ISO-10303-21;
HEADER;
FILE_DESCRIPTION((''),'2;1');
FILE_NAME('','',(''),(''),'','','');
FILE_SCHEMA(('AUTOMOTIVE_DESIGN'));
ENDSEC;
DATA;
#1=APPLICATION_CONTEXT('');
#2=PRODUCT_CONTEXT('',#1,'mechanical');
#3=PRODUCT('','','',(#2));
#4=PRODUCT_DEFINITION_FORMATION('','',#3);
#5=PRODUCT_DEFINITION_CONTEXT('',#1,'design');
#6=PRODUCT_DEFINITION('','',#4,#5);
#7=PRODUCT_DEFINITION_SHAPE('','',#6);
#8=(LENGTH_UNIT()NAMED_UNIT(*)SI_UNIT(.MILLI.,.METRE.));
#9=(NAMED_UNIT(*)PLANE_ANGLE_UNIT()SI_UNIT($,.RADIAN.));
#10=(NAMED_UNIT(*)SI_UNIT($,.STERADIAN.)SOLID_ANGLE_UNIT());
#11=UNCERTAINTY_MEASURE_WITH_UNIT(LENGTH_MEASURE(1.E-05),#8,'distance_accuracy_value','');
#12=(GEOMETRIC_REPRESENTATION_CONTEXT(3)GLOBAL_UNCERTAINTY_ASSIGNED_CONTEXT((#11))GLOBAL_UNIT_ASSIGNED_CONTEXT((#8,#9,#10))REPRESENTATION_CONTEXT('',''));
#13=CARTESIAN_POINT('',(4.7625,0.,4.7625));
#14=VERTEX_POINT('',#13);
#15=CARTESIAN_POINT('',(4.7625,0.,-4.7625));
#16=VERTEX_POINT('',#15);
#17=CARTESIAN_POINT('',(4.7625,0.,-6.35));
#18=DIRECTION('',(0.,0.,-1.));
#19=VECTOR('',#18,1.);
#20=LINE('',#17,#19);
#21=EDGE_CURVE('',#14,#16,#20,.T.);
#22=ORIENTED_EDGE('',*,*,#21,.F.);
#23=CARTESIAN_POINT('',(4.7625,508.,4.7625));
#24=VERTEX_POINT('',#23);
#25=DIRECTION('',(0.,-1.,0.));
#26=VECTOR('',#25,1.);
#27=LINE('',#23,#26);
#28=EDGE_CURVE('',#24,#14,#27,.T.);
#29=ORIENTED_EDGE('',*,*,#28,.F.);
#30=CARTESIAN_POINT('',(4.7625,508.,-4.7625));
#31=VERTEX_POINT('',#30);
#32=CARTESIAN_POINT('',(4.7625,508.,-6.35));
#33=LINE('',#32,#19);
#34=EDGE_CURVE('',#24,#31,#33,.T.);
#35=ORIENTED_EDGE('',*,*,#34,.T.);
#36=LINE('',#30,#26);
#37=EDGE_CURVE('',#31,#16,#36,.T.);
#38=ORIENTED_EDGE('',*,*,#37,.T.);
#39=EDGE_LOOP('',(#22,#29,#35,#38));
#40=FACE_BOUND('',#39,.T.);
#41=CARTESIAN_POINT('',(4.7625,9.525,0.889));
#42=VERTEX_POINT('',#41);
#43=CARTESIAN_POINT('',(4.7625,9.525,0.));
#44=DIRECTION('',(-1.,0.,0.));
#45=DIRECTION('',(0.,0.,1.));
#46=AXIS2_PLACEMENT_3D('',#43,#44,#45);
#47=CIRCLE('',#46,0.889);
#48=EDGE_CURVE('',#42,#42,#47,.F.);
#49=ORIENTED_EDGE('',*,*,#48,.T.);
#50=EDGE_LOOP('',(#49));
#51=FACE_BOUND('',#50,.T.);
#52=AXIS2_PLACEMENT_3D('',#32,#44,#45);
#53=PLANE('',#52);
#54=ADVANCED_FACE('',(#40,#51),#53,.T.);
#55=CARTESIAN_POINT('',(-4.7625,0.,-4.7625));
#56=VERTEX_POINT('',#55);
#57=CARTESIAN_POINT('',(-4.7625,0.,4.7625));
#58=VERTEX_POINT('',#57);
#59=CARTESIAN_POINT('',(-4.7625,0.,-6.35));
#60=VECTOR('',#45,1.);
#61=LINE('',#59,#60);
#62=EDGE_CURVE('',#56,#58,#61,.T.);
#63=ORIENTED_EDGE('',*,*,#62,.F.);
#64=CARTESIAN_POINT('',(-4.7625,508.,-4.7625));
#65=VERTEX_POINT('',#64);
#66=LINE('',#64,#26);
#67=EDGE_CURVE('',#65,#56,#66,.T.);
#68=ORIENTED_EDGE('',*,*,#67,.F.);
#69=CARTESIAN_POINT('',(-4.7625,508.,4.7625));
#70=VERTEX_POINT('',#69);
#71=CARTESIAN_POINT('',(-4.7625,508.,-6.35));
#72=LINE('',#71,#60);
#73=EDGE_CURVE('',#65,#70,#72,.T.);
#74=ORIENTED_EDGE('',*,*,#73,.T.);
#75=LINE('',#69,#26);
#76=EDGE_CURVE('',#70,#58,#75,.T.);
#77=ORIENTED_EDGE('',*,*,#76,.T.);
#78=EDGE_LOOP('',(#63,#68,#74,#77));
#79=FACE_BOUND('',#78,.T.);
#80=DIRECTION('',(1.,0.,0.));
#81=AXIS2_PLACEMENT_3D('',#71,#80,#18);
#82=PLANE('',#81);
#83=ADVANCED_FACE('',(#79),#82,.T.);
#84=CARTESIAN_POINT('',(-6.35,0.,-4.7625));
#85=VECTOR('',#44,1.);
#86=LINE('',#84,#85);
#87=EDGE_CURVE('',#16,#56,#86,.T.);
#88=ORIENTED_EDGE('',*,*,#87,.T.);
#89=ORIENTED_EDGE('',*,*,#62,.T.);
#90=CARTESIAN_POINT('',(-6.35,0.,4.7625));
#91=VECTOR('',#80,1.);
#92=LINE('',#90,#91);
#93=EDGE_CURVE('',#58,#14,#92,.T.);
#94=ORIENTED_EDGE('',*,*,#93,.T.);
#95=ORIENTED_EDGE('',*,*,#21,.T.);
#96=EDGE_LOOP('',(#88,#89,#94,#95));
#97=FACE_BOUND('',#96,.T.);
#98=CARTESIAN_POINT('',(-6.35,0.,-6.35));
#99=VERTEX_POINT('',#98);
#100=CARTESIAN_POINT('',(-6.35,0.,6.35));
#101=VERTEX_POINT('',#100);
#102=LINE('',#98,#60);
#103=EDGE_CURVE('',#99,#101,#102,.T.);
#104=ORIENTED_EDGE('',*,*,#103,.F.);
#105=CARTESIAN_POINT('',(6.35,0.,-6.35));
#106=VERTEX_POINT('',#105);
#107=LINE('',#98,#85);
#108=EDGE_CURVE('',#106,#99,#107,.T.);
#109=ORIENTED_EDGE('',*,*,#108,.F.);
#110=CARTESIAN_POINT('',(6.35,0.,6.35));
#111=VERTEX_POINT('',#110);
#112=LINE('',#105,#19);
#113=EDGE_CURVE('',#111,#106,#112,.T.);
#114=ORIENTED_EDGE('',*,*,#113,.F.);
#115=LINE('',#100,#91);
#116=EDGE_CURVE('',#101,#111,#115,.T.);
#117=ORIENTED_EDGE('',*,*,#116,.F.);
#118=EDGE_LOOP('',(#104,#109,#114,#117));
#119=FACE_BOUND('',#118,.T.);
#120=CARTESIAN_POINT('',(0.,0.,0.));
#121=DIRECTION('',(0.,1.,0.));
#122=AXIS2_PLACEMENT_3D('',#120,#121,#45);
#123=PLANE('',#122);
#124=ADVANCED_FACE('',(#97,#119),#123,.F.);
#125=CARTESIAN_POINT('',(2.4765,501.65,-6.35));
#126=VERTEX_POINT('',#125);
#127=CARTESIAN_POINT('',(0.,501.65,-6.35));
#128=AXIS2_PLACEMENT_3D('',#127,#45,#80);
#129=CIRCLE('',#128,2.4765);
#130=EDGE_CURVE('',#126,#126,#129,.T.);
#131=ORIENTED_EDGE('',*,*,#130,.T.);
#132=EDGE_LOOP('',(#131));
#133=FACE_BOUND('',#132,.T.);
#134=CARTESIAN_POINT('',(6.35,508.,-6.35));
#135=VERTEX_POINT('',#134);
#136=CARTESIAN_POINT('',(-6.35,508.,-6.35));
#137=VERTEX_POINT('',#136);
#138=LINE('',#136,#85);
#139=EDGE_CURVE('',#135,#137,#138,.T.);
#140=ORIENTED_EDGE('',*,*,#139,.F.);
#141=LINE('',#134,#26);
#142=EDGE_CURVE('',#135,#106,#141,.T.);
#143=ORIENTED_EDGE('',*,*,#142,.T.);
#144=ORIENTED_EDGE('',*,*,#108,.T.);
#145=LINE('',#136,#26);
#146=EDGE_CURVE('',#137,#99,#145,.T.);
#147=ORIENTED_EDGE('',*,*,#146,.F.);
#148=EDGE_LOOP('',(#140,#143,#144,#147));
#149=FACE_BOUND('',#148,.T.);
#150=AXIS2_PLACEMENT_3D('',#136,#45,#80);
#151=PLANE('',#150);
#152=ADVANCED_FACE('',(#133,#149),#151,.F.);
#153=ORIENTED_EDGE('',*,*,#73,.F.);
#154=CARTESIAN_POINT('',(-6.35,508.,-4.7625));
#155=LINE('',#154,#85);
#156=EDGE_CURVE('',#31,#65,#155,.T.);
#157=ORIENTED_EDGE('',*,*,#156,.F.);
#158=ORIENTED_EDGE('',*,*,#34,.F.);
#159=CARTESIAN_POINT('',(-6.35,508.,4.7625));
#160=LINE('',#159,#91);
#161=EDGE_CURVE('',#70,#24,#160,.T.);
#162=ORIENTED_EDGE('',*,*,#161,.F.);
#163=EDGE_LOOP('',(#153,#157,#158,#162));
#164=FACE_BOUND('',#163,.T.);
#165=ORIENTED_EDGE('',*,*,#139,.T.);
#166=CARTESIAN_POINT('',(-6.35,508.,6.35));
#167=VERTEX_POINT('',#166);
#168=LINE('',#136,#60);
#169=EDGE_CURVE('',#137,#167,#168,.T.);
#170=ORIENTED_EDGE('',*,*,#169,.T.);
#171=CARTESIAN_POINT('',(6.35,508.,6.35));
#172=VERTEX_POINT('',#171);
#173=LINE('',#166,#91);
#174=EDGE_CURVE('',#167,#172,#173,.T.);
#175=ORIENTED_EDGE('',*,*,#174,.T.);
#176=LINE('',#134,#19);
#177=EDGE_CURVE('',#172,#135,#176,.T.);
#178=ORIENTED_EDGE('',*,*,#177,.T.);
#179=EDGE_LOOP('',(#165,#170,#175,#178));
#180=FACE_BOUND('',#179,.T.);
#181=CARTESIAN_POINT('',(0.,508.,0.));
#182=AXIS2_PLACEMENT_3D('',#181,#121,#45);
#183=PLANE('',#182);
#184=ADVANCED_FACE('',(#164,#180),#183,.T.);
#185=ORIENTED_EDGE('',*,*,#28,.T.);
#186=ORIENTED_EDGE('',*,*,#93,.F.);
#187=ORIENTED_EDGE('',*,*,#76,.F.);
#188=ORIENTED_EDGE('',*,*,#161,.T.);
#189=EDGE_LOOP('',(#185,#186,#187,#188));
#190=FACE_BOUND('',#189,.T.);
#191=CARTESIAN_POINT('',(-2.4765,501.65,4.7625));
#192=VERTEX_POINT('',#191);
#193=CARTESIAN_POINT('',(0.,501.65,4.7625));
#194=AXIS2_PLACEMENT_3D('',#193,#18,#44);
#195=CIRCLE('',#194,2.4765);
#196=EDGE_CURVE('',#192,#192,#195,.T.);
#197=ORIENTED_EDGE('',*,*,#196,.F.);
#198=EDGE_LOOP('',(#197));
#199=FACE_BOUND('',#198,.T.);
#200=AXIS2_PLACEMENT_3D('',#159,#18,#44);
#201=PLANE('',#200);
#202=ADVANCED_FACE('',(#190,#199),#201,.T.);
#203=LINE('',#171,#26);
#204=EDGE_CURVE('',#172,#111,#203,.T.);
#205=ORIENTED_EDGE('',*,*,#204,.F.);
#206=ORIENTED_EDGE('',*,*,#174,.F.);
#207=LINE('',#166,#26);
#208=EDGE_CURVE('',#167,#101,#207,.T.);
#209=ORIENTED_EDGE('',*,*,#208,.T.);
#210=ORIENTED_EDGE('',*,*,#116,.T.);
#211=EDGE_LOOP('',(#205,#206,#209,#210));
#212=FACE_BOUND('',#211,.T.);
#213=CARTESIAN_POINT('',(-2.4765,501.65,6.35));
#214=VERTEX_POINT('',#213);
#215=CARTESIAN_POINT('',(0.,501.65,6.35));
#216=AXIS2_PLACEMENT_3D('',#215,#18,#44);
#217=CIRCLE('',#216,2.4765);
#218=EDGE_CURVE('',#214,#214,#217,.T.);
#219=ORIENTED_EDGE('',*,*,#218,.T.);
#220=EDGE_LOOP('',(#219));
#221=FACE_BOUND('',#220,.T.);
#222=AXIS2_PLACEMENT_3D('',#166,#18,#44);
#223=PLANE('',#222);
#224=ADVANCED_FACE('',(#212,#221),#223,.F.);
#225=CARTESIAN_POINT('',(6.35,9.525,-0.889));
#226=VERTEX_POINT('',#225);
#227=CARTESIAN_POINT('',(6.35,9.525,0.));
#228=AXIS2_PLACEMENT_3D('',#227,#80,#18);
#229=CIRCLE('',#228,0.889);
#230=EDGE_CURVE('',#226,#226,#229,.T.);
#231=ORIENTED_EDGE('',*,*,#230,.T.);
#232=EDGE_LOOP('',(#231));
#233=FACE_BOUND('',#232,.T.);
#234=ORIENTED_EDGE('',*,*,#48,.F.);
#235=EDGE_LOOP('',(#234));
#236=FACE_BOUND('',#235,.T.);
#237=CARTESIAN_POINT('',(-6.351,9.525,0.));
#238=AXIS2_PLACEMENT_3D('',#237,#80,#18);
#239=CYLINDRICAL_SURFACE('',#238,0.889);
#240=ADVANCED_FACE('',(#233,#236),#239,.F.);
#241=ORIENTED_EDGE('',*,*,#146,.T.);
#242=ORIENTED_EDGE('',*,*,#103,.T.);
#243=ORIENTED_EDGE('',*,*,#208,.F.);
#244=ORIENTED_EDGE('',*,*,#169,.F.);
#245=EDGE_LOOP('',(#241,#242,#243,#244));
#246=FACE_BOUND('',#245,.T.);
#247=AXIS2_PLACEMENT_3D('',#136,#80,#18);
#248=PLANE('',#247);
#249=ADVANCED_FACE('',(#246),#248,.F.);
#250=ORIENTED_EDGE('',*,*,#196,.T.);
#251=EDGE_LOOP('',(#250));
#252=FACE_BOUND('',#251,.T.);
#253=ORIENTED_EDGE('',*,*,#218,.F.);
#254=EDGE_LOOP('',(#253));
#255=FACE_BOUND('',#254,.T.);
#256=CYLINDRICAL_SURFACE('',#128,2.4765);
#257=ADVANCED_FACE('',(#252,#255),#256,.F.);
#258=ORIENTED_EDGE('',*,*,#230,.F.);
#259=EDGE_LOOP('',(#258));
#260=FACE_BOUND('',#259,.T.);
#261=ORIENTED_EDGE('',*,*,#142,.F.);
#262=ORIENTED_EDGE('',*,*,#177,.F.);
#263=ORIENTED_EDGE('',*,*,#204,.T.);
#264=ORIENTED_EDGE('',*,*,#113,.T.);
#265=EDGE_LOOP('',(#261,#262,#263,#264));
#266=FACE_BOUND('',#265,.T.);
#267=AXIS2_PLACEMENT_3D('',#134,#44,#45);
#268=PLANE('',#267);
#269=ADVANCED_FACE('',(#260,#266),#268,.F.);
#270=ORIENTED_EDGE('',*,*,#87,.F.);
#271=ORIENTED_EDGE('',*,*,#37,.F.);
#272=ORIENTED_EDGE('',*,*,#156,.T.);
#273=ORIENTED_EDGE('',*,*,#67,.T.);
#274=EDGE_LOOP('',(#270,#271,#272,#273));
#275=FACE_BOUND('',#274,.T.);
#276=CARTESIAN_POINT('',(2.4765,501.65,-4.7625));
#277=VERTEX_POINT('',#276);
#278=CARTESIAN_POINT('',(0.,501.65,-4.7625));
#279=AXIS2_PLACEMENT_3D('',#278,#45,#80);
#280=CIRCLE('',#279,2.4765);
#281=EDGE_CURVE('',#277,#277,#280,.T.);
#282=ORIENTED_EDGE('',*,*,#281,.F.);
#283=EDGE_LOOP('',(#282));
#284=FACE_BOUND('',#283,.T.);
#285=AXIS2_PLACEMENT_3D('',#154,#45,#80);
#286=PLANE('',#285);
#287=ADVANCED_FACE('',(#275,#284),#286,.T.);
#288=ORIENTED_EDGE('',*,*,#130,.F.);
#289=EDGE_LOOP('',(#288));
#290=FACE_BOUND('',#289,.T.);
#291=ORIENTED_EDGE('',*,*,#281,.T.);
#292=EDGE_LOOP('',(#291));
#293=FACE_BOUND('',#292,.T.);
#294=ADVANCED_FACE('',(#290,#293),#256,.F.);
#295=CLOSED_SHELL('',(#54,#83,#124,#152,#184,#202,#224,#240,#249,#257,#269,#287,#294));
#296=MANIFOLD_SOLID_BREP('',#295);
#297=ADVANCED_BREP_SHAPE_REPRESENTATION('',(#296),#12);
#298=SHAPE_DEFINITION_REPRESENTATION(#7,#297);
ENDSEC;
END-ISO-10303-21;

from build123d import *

# Parameters (mm, degrees)
SKETCH1_W               = 12.7
SKETCH1_H               = 12.7
SKETCH1_W_2             = 9.525
SKETCH1_H_2             = 9.525
EXTRUDE_THIN1_DEPTH     = 508
SKETCH3_R               = 2.4765
CUT_EXTRUDE2_DEPTH      = 1
CUT_EXTRUDE2_DEPTH_BACK = 13.7
CUT_EXTRUDE3_REACH      = 14.7
SKETCH4_R               = 0.889


with BuildPart() as part:
    # Sketch1 → Extrude-Thin1 (new body)
    with BuildSketch(Plane(origin=(0, 0, 0), x_dir=(1, 0, 0), z_dir=(0, 1, 0))):
        Rectangle(SKETCH1_W, SKETCH1_H)
        Rectangle(SKETCH1_W_2, SKETCH1_H_2, mode=Mode.SUBTRACT)
    extrude(amount=EXTRUDE_THIN1_DEPTH)

    # Sketch3 → Cut-Extrude2 (cut, two sides)
    with BuildSketch(Plane.XY.offset(6.35)) as cut_extrude2_sk:
        with Locations((0, 501.65)):
            Circle(SKETCH3_R)
    extrude(amount=CUT_EXTRUDE2_DEPTH, mode=Mode.SUBTRACT)
    extrude(cut_extrude2_sk.sketch, amount=-CUT_EXTRUDE2_DEPTH_BACK, mode=Mode.SUBTRACT)

    # Sketch4 → Cut-Extrude3 (cut, up to next)
    with BuildSketch(Plane(origin=(6.35, 0, 0), x_dir=(0, 0, -1), z_dir=(1, 0, 0)), mode=Mode.PRIVATE) as cut_extrude3_sk1:
        with Locations((0, 9.525)):
            Circle(SKETCH4_R)
    cut_extrude3_tool1 = extrude(cut_extrude3_sk1.sketch, amount=-CUT_EXTRUDE3_REACH, mode=Mode.PRIVATE) & part.part
    add(cut_extrude3_tool1.solids().sort_by_distance((6.35, 9.525, 0))[0], mode=Mode.SUBTRACT)


solid = part.part
